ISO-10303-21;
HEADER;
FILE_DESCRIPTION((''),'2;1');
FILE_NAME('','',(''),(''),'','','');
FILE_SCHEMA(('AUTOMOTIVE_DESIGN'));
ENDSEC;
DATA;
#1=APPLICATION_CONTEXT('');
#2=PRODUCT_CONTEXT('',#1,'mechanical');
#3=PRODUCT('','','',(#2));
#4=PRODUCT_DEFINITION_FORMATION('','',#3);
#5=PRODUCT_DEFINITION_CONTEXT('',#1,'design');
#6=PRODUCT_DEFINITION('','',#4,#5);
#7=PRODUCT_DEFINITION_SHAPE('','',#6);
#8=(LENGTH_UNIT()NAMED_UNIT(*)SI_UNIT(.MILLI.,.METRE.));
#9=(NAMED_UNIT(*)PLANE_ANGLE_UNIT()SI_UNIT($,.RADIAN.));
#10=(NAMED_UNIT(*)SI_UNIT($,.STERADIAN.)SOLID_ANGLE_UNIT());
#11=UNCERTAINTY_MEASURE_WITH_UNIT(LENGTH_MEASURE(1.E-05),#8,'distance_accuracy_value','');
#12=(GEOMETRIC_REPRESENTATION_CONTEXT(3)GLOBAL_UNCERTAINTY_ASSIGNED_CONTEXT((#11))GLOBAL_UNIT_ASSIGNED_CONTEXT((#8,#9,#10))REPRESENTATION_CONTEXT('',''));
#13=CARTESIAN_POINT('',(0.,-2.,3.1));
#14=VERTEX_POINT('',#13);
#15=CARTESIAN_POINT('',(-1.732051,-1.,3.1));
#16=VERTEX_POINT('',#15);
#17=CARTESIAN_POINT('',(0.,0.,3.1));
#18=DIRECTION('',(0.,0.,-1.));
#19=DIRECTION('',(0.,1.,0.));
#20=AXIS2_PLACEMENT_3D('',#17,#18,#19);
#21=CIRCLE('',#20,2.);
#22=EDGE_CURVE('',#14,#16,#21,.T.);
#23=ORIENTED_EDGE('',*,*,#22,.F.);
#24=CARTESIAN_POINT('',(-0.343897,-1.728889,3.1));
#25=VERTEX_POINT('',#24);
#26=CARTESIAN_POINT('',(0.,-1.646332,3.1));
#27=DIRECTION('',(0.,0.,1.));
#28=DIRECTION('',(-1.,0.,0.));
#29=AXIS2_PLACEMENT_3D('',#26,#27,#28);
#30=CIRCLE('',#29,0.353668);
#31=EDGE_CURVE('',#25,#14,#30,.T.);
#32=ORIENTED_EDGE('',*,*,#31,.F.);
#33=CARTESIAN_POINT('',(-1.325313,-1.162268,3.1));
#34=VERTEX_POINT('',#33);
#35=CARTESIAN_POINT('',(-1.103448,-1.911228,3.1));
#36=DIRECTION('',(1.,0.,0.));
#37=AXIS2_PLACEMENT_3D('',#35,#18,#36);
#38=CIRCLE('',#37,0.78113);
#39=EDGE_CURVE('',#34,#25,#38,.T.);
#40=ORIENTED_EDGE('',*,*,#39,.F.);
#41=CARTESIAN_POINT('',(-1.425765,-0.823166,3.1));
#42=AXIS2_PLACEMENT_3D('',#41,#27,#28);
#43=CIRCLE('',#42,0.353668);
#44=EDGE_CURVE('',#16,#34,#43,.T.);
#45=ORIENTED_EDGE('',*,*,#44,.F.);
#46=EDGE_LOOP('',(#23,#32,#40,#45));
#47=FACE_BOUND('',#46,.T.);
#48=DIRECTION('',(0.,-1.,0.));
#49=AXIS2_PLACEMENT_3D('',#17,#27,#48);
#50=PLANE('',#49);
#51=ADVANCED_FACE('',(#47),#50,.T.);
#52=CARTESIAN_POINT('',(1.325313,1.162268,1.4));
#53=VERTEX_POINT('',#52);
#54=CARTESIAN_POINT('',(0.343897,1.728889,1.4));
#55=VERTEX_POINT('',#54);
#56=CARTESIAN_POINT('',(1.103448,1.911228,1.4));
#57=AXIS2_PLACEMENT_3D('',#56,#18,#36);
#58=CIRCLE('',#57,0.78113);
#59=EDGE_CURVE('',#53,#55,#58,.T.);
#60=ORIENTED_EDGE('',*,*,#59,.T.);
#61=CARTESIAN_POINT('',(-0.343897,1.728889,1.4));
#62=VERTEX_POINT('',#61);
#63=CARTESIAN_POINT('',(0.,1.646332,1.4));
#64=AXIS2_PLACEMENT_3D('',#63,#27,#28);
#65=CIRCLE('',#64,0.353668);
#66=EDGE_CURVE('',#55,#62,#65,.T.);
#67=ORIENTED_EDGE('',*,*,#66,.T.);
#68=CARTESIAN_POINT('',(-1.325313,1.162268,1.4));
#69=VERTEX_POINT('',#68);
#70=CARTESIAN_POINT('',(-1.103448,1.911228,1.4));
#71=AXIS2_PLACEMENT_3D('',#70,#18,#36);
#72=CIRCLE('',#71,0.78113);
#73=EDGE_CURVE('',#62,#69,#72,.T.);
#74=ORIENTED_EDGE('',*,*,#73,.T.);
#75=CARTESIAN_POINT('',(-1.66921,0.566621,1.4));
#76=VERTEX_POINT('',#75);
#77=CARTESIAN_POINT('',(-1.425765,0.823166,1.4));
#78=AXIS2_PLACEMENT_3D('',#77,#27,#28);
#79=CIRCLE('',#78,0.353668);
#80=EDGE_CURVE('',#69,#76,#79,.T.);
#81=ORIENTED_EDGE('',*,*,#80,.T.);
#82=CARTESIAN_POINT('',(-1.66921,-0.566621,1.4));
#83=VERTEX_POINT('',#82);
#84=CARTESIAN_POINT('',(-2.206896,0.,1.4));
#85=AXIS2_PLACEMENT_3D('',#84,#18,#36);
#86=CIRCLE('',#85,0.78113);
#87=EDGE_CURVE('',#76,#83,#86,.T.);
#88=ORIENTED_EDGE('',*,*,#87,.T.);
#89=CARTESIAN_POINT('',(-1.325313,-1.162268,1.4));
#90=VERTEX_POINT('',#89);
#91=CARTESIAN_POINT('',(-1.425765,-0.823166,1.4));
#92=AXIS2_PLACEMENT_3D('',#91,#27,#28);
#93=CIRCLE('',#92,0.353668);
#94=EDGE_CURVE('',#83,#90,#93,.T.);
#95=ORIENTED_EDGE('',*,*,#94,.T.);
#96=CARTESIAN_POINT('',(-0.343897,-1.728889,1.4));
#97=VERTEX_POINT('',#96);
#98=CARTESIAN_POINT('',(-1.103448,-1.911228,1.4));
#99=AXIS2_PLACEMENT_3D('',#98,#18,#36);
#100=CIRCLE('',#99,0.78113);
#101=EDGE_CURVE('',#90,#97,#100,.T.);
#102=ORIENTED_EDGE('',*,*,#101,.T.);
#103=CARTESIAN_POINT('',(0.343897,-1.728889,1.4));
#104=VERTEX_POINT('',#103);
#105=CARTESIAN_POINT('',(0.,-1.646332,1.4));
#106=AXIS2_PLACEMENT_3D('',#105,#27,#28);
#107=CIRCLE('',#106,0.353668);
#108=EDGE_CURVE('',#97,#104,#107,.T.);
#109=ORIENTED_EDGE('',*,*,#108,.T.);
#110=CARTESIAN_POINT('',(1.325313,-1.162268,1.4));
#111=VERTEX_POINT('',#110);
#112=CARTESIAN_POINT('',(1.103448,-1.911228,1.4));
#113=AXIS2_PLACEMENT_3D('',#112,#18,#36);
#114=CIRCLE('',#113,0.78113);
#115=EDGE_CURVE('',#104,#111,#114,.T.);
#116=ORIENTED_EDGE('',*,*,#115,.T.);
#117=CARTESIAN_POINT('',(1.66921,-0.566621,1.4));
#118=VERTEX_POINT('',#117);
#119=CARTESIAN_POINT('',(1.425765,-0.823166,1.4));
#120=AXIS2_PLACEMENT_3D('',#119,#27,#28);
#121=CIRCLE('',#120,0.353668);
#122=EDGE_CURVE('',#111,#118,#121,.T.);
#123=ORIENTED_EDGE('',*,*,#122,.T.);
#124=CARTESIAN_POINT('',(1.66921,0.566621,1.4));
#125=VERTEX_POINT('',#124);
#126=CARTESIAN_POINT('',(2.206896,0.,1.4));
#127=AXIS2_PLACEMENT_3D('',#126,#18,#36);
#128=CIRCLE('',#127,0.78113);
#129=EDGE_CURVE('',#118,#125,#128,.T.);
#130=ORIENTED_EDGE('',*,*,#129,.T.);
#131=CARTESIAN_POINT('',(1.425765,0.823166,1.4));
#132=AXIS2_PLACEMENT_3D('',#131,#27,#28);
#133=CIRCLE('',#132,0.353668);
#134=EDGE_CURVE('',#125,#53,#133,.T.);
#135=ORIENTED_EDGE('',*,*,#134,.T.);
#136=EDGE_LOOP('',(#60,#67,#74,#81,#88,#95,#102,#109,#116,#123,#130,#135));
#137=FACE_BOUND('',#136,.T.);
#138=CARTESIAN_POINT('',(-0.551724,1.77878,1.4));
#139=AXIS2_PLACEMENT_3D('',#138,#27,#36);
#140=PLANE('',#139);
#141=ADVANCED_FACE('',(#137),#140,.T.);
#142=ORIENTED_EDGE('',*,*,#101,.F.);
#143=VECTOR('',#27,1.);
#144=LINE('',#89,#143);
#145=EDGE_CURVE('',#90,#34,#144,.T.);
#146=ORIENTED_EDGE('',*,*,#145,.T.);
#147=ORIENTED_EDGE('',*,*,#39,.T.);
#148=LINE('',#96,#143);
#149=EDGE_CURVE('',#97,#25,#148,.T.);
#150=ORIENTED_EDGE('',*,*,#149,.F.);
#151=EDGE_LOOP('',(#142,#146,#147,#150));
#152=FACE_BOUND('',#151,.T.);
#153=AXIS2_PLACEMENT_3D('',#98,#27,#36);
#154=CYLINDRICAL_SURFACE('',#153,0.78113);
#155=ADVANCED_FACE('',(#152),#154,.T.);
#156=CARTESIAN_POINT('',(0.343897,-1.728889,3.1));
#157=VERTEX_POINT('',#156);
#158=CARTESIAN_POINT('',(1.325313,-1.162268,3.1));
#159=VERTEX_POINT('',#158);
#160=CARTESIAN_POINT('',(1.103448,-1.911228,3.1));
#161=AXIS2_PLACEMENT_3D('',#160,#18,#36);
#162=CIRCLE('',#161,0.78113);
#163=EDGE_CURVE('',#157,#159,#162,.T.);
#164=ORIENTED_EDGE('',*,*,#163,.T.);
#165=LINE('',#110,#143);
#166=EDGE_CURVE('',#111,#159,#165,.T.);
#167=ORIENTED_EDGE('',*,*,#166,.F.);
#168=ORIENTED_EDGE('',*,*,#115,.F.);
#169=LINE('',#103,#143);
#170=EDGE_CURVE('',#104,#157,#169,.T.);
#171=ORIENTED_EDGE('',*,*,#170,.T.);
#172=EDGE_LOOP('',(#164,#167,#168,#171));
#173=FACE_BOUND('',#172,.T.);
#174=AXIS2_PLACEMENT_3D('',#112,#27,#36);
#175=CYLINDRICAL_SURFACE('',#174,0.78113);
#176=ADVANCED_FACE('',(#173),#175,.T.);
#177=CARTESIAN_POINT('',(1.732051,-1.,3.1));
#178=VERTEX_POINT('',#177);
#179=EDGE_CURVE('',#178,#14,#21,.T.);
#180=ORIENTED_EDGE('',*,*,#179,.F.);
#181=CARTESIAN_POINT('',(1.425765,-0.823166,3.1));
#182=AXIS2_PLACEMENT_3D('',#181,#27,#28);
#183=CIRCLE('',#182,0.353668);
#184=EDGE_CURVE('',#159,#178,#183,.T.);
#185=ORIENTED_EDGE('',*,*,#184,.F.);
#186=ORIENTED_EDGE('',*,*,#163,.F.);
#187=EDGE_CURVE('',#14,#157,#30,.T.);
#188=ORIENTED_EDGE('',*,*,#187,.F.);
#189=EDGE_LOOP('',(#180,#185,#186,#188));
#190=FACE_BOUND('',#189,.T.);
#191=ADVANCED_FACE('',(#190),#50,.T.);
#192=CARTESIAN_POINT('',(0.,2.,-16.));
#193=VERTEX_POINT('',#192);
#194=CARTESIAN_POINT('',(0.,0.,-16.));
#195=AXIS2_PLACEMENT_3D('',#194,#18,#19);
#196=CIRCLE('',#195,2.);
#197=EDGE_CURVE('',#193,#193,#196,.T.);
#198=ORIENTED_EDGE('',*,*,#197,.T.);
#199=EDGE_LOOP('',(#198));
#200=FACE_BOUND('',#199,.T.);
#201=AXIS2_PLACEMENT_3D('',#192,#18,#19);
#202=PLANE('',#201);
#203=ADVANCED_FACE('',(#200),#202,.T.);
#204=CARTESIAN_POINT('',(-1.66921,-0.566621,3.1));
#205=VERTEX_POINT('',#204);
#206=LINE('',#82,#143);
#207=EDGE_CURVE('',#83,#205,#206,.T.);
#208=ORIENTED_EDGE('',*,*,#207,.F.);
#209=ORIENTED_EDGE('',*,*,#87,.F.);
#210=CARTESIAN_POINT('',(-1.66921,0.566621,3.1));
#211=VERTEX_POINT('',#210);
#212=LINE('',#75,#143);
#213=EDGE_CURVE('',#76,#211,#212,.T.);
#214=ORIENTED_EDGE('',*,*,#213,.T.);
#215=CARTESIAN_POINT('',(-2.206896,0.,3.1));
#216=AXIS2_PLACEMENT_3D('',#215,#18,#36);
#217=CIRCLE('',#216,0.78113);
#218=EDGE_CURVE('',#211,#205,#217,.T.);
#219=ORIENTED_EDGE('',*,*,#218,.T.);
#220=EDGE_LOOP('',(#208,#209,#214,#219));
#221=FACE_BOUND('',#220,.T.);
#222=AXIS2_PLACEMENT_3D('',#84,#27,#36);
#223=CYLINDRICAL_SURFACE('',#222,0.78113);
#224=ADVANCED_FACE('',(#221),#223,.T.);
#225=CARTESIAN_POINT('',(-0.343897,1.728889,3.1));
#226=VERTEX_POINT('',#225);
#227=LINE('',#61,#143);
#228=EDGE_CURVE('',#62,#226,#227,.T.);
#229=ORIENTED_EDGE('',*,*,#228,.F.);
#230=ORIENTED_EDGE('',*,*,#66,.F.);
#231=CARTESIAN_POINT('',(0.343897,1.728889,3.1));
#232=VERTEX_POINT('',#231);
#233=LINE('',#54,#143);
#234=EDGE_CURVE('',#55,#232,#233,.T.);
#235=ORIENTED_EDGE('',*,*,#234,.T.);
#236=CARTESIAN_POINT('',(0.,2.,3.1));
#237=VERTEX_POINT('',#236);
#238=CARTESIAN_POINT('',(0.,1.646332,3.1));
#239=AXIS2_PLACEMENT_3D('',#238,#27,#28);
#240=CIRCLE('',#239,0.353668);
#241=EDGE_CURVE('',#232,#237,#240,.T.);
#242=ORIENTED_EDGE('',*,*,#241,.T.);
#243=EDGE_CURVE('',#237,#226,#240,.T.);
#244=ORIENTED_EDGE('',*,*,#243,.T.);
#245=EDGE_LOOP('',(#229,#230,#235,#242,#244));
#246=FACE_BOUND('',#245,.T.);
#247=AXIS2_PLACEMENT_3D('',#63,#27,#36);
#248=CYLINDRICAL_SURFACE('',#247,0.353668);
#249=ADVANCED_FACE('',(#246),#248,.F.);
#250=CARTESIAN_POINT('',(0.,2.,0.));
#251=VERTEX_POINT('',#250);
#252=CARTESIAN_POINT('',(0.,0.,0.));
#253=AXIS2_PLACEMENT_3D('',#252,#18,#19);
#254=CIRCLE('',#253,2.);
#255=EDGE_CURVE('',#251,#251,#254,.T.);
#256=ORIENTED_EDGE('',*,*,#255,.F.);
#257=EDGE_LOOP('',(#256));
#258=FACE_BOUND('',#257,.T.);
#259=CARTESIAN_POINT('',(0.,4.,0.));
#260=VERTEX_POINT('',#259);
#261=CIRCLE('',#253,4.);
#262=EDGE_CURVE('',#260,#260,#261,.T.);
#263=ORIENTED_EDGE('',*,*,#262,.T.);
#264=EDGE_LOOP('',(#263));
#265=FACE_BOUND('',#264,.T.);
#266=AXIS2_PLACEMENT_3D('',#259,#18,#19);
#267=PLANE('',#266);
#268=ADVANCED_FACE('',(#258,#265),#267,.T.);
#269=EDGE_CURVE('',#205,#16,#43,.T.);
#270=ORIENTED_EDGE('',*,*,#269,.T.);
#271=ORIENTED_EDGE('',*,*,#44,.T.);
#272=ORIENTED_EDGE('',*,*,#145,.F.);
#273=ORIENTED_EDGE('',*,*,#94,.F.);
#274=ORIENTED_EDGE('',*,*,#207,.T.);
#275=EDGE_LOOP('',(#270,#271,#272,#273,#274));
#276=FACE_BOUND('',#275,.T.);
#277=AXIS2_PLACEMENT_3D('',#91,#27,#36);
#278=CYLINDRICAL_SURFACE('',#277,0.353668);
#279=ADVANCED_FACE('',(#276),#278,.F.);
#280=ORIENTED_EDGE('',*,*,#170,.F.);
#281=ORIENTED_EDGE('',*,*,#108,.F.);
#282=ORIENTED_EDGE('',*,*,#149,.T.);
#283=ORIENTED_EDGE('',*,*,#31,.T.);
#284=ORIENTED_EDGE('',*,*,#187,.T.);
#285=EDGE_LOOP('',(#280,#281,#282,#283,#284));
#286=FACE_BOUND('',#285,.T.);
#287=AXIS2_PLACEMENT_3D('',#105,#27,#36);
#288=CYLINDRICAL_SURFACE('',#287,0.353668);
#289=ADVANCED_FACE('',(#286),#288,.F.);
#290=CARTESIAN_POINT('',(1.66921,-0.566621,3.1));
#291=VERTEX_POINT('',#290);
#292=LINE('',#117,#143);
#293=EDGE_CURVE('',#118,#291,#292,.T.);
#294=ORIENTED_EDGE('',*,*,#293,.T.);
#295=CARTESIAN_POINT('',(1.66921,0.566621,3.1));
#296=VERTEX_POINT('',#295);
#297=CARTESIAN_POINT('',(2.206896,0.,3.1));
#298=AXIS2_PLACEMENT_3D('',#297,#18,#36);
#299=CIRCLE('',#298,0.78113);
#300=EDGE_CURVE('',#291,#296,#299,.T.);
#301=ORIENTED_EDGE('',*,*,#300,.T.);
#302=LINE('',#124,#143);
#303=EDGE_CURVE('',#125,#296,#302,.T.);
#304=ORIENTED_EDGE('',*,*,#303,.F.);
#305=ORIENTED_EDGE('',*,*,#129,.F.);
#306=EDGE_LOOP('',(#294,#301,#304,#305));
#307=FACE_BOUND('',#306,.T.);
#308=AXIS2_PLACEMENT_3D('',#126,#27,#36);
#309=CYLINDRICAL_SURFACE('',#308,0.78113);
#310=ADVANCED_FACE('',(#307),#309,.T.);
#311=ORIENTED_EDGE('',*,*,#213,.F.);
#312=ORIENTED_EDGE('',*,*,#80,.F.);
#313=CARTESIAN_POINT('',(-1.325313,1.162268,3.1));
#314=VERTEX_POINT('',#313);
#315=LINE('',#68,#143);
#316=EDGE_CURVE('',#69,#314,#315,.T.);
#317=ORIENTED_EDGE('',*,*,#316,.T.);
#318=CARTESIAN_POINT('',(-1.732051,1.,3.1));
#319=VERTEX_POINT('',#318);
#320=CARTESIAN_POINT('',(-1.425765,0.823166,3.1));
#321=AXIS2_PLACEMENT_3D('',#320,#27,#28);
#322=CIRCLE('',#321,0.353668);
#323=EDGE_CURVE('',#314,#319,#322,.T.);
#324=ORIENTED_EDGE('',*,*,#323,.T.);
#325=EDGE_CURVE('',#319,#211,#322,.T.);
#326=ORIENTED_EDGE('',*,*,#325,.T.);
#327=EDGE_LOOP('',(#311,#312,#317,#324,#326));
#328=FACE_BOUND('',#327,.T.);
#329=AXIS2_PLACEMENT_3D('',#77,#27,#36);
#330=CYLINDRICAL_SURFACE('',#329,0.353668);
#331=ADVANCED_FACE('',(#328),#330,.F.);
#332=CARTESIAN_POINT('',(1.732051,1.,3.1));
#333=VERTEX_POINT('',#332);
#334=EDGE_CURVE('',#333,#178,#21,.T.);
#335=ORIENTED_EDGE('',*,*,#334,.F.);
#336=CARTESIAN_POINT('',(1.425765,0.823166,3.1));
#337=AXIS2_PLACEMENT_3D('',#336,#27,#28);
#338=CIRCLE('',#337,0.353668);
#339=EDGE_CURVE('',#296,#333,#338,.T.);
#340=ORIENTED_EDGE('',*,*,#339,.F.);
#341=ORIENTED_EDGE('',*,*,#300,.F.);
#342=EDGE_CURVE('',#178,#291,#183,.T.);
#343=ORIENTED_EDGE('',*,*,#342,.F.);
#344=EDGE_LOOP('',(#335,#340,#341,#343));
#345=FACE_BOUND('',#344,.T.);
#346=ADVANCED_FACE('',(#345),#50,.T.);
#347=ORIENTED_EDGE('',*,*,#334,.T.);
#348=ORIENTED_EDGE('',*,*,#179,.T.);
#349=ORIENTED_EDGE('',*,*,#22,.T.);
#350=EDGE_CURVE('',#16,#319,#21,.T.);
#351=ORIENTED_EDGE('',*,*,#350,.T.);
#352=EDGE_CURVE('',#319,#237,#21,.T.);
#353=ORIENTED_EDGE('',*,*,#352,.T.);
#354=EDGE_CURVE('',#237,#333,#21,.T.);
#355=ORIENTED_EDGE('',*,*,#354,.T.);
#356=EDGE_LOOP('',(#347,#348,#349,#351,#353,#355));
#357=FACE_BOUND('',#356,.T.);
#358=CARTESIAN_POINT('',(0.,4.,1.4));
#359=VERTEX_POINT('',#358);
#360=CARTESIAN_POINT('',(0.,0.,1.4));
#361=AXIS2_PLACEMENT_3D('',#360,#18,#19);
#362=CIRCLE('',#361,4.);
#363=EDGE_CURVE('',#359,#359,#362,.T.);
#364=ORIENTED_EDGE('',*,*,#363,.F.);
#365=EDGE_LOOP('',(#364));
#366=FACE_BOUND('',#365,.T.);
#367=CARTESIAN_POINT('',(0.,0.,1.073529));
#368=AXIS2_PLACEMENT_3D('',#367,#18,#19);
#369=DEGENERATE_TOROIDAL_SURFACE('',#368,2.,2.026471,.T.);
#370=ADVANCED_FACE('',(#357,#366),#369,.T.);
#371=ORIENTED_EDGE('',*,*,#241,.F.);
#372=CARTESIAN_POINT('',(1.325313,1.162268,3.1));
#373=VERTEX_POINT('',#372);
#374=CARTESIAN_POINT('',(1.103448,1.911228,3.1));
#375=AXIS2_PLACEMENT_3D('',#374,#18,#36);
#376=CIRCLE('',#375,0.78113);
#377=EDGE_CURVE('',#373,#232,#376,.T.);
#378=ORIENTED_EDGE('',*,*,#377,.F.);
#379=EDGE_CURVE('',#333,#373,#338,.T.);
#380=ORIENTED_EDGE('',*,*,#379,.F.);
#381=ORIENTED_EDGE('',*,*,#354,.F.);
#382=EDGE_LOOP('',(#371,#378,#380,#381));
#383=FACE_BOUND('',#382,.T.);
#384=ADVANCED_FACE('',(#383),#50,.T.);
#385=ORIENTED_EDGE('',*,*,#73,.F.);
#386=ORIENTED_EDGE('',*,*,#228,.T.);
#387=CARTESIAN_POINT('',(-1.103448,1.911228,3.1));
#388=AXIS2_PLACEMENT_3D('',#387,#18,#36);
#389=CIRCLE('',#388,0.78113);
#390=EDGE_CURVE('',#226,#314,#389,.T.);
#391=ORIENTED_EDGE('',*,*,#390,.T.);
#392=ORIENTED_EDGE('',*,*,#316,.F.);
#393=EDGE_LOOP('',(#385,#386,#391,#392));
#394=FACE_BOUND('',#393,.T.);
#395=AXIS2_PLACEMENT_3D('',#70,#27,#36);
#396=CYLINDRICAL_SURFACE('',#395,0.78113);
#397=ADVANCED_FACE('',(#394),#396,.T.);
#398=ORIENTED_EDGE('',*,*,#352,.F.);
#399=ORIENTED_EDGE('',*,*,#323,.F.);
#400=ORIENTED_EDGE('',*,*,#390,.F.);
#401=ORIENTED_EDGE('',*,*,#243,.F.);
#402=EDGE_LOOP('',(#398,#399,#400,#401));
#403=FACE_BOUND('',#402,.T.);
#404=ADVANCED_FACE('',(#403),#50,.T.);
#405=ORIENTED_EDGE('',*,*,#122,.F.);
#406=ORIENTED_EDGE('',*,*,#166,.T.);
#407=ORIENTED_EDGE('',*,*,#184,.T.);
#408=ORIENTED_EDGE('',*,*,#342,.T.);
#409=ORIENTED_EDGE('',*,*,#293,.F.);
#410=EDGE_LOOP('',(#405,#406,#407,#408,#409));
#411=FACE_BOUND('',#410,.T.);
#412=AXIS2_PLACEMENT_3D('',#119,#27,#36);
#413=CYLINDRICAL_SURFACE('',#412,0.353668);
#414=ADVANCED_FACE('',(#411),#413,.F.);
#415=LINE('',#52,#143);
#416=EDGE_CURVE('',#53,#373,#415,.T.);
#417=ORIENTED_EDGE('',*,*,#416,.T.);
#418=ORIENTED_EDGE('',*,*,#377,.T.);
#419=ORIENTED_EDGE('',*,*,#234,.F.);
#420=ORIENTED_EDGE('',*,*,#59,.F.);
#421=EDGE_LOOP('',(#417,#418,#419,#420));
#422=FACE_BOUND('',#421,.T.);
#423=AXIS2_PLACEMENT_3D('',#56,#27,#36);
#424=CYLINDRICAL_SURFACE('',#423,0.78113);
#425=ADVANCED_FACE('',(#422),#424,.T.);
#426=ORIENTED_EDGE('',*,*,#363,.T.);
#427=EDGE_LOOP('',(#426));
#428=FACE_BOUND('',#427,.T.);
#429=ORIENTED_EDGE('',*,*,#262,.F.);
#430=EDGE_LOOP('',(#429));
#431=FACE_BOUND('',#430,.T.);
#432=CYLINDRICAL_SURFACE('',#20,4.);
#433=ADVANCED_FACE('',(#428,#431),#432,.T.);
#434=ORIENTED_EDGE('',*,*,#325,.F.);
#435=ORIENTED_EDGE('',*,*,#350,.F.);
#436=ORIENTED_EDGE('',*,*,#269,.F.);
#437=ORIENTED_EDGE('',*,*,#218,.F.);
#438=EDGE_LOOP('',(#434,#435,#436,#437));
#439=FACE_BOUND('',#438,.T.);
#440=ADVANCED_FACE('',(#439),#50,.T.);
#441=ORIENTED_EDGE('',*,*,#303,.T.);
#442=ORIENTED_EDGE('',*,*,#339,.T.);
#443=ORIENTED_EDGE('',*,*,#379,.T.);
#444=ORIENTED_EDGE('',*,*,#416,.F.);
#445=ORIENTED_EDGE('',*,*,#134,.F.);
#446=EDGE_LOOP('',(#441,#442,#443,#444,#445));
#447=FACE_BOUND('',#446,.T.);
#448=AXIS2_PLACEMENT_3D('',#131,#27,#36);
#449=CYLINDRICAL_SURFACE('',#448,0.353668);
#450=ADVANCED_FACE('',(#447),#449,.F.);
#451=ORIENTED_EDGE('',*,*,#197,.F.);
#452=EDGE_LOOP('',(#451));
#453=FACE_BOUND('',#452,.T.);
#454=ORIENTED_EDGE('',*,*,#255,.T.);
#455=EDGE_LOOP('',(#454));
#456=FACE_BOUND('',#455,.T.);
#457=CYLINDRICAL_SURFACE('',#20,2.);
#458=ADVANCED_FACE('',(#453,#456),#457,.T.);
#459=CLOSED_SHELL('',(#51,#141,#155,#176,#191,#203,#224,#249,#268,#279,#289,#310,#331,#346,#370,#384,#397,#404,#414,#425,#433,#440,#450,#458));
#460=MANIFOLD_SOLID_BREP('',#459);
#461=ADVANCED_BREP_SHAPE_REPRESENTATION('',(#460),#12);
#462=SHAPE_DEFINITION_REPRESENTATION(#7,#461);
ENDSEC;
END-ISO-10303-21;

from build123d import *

# Parameters (mm, degrees)
ENL_V_MAT_EXTRU_1_DEPTH = 1.7


with BuildPart() as part:
    # Esquisse1 → Révolution1 (revolve)
    with BuildSketch(Plane(origin=(0, 0, 0), x_dir=(0, 0, -1), z_dir=(1, 0, 0))):
        with BuildLine():
            Line((-3.1, 0), (-3.1, 2))
            ThreePointArc((-3.1, 2), (-2.617577029, 3.312440475), (-1.4, 4))
            Line((-1.4, 4), (0, 4))
            Line((0, 4), (0, 2))
            Line((0, 2), (16, 2))
            Line((16, 2), (16, 0))
            Line((16, 0), (-3.1, 0))
        make_face()
    revolve(axis=Axis((0, 0, 3.1), (0, 0, 1)))

    # Esquisse2 → Enlèv. mat.-Extru.1 (cut)
    with BuildSketch(Plane.XY.offset(3.1)):
        with BuildLine():
            ThreePointArc((-0.343897346, 1.728888708), (0, 2), (0.343897346, 1.728888708))
            ThreePointArc((0.343897346, 1.728888708), (0.712882715, 1.234749083), (1.325312868, 1.162268192))
            ThreePointArc((1.325312868, 1.162268192), (1.732050808, 1), (1.669210214, 0.566620516))
            ThreePointArc((1.669210214, 0.566620516), (1.42576543, 0), (1.669210214, -0.566620516))
            ThreePointArc((1.669210214, -0.566620516), (1.732050808, -1), (1.325312868, -1.162268192))
            ThreePointArc((1.325312868, -1.162268192), (0.712882715, -1.234749083), (0.343897346, -1.728888708))
            ThreePointArc((0.343897346, -1.728888708), (0, -2), (-0.343897346, -1.728888708))
            ThreePointArc((-0.343897346, -1.728888708), (-0.712882715, -1.234749083), (-1.325312868, -1.162268192))
            ThreePointArc((-1.325312868, -1.162268192), (-1.732050808, -1), (-1.669210214, -0.566620516))
            ThreePointArc((-1.669210214, -0.566620516), (-1.42576543, 0), (-1.669210214, 0.566620516))
            ThreePointArc((-1.669210214, 0.566620516), (-1.732050808, 1), (-1.325312868, 1.162268192))
            ThreePointArc((-1.325312868, 1.162268192), (-0.712882715, 1.234749083), (-0.343897346, 1.728888708))
        make_face()
    extrude(amount=-ENL_V_MAT_EXTRU_1_DEPTH, mode=Mode.SUBTRACT)


solid = part.part
